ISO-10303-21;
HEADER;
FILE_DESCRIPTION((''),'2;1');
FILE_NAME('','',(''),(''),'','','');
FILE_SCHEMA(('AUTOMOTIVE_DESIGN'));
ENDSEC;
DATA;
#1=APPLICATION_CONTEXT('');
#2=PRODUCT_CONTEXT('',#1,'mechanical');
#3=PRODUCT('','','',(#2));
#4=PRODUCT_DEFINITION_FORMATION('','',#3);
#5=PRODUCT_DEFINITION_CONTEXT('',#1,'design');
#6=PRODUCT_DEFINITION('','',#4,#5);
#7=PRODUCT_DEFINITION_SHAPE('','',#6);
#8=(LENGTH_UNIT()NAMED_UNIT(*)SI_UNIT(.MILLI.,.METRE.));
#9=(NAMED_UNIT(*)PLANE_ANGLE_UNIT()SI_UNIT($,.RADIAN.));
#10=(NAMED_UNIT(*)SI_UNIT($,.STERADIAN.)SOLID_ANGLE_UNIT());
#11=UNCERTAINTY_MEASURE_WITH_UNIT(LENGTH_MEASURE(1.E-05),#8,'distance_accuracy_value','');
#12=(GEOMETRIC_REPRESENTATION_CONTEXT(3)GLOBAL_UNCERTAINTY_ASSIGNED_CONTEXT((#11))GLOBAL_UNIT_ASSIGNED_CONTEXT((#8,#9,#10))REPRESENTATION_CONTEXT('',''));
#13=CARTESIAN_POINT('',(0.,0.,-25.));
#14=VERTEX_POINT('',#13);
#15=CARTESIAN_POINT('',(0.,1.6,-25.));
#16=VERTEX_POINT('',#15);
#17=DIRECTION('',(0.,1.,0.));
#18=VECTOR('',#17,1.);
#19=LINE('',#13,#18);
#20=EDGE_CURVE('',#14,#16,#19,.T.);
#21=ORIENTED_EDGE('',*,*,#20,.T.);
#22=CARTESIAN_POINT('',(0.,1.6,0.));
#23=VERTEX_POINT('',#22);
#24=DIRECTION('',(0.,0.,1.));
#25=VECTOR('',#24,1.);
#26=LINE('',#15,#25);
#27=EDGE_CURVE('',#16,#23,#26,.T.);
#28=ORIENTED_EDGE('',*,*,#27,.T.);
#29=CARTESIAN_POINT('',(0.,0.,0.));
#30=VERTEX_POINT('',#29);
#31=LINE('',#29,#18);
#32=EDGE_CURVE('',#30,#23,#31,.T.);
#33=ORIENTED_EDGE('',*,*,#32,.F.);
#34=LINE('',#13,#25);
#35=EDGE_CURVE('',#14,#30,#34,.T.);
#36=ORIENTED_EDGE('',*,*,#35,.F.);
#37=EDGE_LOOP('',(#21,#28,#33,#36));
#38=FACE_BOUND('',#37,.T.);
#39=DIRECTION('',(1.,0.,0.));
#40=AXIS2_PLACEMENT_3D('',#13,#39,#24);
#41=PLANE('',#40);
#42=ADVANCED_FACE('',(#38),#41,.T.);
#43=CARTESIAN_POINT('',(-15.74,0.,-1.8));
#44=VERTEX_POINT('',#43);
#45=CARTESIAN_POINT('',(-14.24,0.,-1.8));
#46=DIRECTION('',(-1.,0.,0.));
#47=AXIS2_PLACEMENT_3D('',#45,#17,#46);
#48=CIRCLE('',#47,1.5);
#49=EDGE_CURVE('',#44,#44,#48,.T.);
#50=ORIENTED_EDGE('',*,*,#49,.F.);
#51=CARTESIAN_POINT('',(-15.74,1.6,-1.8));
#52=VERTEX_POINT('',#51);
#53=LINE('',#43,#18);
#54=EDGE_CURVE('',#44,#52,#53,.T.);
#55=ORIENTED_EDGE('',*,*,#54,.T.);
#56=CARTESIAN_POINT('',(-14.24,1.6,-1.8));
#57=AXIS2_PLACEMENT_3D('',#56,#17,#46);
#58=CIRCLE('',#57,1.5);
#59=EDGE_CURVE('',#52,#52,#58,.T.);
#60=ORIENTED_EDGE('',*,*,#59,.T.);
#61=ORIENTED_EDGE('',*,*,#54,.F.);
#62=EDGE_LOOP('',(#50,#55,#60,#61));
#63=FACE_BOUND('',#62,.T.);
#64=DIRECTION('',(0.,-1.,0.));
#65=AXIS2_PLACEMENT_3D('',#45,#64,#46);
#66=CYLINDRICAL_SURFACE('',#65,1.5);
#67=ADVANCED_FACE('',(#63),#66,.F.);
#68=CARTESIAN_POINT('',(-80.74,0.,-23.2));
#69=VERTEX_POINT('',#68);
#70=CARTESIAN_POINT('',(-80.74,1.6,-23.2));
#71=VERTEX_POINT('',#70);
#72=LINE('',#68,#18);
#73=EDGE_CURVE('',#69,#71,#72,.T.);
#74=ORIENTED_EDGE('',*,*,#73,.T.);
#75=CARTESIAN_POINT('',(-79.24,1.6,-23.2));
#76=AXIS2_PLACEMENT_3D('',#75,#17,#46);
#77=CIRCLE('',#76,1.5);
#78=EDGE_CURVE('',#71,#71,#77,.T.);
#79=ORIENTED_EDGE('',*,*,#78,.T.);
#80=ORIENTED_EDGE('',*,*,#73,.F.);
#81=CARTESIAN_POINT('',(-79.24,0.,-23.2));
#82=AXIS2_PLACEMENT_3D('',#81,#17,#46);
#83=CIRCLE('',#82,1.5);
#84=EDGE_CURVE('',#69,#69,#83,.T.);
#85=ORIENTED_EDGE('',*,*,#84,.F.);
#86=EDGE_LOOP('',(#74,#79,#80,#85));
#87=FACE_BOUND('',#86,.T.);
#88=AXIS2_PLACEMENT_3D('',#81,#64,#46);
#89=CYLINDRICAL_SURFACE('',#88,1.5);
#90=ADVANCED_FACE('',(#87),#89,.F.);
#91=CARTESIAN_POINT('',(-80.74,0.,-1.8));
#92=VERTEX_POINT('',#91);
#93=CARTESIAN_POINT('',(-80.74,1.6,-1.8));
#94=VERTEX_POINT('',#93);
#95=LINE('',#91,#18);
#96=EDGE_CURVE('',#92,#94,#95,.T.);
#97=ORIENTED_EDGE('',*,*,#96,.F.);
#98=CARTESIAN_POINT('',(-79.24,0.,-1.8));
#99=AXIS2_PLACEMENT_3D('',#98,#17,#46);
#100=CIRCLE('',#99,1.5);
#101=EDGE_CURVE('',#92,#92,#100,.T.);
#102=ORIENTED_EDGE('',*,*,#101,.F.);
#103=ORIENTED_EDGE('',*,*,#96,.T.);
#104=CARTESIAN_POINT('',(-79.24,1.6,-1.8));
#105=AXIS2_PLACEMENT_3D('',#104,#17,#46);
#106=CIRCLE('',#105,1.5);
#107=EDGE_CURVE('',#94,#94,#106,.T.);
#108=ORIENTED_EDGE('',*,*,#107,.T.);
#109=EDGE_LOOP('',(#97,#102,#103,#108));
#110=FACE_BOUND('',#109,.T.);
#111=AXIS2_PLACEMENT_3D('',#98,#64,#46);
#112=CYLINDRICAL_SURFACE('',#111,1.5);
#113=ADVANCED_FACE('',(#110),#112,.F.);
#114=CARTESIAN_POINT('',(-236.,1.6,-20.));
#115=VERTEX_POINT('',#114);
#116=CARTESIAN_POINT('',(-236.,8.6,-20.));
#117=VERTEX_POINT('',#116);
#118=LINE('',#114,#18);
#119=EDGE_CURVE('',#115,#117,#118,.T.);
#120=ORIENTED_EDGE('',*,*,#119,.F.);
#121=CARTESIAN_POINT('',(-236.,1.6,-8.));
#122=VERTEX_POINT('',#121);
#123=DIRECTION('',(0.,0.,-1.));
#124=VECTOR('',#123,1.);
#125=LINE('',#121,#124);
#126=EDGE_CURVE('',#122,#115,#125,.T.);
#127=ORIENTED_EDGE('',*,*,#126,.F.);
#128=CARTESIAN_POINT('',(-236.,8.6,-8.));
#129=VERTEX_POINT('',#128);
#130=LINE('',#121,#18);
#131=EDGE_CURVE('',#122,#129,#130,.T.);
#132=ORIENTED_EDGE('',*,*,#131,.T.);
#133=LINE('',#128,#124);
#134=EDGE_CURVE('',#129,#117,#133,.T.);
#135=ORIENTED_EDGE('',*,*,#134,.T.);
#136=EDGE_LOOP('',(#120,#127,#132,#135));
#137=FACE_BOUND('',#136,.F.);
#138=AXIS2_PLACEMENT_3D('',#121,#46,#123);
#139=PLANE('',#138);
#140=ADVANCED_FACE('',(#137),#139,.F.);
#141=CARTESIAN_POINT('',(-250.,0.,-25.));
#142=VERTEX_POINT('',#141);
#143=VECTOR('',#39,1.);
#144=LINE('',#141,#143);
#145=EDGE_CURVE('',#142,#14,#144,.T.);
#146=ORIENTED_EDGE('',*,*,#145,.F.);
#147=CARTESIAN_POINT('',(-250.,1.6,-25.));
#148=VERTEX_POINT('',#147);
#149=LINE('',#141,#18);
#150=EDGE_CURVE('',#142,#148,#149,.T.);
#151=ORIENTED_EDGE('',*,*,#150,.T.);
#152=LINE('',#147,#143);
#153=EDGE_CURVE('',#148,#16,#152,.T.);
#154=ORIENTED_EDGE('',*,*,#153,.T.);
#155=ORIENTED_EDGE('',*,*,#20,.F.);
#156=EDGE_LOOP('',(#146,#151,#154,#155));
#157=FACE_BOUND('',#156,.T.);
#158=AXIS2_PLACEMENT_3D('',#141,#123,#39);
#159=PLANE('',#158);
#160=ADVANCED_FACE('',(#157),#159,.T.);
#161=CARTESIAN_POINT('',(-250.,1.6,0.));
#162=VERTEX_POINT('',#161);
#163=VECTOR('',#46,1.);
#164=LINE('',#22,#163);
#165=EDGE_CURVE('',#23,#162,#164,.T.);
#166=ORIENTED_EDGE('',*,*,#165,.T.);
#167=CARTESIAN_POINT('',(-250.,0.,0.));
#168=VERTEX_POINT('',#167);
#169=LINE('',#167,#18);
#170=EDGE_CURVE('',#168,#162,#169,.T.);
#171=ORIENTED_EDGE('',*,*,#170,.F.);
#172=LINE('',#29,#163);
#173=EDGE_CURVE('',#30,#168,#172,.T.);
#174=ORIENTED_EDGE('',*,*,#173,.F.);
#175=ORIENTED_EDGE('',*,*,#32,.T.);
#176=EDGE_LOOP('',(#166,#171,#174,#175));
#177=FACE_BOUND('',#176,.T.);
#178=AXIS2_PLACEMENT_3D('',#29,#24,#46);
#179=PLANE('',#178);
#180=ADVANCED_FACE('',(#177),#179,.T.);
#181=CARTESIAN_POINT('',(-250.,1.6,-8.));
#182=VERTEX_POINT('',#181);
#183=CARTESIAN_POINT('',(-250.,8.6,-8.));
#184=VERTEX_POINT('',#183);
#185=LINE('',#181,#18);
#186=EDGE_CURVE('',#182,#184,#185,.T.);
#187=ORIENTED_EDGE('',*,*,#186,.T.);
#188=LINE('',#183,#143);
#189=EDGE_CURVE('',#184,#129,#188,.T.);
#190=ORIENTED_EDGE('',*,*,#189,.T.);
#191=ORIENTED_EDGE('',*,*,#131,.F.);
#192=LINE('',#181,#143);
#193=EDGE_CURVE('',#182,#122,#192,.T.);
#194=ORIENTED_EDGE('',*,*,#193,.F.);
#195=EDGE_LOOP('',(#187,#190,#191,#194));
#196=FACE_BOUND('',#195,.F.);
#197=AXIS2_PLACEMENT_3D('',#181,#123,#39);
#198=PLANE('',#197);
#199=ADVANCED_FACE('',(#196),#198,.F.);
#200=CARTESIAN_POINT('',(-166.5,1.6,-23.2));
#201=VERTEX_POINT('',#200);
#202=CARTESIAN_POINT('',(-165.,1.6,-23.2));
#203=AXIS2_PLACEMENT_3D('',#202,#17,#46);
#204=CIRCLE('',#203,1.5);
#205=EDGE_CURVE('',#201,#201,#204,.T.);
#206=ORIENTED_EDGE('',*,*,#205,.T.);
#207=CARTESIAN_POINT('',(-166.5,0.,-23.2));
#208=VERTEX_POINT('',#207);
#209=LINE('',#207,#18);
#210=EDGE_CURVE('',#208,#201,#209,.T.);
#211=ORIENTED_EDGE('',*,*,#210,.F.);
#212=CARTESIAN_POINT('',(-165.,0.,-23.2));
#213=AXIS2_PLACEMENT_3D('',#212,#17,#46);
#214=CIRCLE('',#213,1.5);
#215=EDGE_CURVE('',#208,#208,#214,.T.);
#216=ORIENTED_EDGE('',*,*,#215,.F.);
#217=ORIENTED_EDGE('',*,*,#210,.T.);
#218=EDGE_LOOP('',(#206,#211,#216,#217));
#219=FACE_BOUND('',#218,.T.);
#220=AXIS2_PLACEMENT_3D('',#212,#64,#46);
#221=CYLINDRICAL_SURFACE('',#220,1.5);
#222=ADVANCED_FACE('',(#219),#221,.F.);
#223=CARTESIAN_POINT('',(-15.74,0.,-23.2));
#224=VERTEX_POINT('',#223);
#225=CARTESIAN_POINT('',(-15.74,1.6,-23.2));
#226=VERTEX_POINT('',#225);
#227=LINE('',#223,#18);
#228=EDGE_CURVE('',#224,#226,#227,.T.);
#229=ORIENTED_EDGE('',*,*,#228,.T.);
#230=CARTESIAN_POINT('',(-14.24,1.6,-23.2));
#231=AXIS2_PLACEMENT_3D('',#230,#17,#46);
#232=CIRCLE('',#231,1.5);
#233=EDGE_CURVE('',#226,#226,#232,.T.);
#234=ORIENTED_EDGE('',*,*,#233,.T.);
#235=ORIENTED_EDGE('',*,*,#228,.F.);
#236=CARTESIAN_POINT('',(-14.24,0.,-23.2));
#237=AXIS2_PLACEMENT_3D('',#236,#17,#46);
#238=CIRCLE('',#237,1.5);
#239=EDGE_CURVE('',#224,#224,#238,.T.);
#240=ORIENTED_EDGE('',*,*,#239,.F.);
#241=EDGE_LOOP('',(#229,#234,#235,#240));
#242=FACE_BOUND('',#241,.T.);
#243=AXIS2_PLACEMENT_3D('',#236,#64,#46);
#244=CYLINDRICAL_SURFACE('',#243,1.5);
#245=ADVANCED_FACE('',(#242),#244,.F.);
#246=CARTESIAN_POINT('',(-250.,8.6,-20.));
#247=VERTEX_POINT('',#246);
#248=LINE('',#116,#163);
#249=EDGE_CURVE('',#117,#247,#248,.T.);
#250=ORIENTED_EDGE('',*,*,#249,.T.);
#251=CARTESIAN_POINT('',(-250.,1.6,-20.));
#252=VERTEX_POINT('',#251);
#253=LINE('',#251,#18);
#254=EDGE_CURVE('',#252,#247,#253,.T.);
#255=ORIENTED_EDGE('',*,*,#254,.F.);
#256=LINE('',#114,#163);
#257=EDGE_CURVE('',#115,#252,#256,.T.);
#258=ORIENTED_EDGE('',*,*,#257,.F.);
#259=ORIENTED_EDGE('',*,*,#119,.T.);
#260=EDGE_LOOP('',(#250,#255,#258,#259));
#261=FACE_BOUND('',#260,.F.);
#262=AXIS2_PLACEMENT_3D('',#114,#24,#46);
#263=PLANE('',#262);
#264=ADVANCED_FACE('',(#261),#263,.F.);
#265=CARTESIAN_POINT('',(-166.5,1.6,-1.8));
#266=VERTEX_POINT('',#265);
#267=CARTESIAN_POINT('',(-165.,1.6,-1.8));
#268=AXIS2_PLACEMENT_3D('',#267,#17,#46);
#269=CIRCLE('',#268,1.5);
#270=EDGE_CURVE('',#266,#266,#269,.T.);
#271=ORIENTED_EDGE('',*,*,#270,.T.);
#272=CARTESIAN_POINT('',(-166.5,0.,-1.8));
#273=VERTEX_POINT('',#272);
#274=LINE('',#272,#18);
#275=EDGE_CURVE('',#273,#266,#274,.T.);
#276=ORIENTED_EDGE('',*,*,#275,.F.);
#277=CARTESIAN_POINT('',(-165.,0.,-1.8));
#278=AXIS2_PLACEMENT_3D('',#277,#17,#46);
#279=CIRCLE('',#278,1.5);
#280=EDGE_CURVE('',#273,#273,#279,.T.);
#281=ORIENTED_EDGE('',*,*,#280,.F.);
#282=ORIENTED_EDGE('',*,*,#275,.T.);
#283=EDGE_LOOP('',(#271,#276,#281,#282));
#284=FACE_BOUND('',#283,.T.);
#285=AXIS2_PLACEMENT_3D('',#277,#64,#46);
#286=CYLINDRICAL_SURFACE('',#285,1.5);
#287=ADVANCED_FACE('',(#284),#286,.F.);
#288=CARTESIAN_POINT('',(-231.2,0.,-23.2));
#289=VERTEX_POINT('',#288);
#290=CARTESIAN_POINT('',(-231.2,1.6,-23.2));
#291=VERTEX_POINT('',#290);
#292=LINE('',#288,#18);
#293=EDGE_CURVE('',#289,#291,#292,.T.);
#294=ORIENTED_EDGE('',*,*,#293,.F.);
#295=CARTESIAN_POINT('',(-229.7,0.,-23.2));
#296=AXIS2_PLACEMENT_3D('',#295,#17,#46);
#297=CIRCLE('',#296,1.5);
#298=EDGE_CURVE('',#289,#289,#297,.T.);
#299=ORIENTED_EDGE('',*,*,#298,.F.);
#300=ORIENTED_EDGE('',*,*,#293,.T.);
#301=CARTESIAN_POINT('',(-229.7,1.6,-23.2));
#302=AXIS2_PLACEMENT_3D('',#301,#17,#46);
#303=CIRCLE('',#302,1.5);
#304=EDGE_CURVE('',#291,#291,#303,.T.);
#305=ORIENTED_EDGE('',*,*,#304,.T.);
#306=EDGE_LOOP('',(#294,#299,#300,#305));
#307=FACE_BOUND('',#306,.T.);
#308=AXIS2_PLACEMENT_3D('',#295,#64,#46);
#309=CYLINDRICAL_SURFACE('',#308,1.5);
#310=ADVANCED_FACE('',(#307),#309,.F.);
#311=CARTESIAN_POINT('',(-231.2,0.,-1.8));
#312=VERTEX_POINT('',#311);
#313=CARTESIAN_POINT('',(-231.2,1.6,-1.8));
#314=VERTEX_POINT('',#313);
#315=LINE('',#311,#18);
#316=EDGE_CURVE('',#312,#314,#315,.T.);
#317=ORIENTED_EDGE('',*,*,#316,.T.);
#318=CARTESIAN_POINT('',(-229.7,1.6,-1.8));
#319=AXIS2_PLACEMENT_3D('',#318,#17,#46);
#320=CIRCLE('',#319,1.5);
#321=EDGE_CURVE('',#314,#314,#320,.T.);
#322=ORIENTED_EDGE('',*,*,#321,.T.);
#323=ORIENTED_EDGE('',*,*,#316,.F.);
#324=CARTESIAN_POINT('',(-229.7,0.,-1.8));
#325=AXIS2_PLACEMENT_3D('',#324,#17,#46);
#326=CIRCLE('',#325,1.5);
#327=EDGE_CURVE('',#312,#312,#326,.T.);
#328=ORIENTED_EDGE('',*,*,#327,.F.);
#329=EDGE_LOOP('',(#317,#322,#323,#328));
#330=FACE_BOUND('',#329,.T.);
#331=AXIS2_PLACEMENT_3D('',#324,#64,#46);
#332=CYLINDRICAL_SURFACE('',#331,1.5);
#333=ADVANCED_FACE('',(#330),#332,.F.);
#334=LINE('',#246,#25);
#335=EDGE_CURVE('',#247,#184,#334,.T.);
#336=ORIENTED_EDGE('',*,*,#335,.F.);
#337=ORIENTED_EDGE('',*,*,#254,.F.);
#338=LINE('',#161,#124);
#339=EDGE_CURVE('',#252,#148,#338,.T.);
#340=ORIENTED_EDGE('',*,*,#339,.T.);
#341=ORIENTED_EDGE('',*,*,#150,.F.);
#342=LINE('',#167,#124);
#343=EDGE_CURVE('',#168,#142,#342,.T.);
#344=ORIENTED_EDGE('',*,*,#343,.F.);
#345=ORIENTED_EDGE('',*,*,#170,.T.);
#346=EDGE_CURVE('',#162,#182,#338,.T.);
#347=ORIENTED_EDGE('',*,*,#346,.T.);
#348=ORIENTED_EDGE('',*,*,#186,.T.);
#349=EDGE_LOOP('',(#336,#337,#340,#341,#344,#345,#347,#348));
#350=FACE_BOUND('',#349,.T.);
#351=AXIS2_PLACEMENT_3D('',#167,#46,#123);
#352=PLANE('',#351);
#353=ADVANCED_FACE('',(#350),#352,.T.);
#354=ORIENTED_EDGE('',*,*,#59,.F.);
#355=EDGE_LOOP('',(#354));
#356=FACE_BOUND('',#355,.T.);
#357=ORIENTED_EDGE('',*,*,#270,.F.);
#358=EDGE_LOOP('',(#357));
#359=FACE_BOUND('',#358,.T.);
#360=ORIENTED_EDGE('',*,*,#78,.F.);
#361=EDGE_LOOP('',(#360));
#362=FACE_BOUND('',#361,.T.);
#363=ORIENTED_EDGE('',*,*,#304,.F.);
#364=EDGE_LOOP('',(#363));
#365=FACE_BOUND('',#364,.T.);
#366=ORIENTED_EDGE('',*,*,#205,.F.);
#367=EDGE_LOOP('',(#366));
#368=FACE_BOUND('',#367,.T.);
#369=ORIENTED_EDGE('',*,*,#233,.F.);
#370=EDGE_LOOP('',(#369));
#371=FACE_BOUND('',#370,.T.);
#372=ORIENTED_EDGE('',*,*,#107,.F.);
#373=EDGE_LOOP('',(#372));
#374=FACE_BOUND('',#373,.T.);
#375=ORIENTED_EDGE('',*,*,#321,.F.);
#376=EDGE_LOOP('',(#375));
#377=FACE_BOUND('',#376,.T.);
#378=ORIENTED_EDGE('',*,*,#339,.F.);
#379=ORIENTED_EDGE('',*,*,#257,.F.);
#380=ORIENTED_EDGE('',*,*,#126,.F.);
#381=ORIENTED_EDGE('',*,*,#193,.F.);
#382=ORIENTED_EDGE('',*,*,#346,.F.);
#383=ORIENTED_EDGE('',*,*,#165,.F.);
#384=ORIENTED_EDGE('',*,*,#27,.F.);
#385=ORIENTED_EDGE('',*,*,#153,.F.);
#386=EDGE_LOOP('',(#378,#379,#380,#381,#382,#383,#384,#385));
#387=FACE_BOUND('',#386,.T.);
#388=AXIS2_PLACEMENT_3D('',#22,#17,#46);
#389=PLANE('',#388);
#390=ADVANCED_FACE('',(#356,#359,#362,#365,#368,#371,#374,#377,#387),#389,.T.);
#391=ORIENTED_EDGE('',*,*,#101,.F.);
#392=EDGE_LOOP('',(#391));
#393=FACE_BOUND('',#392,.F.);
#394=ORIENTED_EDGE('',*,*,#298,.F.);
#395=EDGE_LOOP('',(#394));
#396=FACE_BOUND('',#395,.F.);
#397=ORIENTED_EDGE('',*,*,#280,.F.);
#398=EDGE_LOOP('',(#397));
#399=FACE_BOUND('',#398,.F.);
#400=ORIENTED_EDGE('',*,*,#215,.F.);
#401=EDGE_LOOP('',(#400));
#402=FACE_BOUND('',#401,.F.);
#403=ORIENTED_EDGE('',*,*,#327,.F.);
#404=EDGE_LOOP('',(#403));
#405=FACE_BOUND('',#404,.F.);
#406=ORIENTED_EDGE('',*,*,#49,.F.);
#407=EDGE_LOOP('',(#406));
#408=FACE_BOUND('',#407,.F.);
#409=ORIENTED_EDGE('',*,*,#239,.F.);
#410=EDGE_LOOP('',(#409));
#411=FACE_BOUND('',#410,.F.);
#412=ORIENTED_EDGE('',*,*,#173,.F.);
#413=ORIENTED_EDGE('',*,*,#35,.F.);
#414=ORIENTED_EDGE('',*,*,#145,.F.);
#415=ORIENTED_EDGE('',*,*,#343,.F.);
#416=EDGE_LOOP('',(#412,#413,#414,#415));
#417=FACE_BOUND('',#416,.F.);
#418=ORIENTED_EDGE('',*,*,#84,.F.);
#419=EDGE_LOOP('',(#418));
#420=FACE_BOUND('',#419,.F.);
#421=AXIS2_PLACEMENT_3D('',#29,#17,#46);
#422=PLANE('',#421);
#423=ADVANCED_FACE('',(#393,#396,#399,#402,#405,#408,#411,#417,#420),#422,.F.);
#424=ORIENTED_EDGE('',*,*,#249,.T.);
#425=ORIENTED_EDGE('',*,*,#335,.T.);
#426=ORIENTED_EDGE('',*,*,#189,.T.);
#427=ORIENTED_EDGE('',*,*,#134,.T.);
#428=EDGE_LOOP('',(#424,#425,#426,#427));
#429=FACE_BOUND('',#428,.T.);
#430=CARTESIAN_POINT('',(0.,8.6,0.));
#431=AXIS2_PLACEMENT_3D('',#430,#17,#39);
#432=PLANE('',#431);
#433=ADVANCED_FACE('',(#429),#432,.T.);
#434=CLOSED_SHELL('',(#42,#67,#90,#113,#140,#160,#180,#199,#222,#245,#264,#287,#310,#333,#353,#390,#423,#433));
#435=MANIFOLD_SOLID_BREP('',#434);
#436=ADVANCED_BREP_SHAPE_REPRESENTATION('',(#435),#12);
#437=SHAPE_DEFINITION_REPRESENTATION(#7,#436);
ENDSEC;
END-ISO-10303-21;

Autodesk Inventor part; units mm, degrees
ref_plane "YZ Plane" through (0, 0, 0) normal (1, 0, 0) x (0, 1, 0)
ref_plane "XZ Plane" through (0, 0, 0) normal (0, 1, 0) x (-1, 0, 0)
ref_plane "XY Plane" through (0, 0, 0) normal (0, 0, 1) x (1, 0, 0)
sketch "Esquisse1" plane through (0, 0, 0) normal (0, 1, 0) x (-1, 0, 0)
  line L0 (0, 0) -> (250, 0)
  line L1 (250, 0) -> (250, -25)
  line L2 (250, -25) -> (0, -25)
  line L3 (0, -25) -> (0, 0)
  line L4 (14.24, 0) -> (14.24, -25) construction
  line L5 (0, -12.5) -> (250, -12.5) construction
  circle A0 centre (14.24, -1.8) radius 1.5
  circle A1 centre (14.24, -23.2) radius 1.5
  circle A2 centre (79.24, -1.8) radius 1.5
  circle A3 centre (79.24, -23.2) radius 1.5
  line L6 (229.7, 0) -> (229.7, -25) construction
  circle A4 centre (229.7, -1.8) radius 1.5
  circle A5 centre (229.7, -23.2) radius 1.5
  circle A6 centre (165, -1.8) radius 1.5
  circle A7 centre (165, -23.2) radius 1.5
  dimension "d0" = 25
  dimension "d1" = 250
  dimension "d2" = 1.8
  dimension "d3" = 3
  dimension "d4" = 14.24
  dimension "d7" = 65
  dimension "d12" = 3
  dimension "d13" = 1.8
  dimension "d17" = 64.7
  dimension "d32" = 165
extrude "Extrusion1" add sketch "Esquisse1" along normal blind 1.6
sketch "Esquisse2" plane through (0, 1.6, 0) normal (0, 1, 0) x (1, 0, 0)
  circle A0 centre (-165, 23.2) radius 1.5 construction
  circle A1 centre (-165, 1.8) radius 1.5 construction
  circle A2 centre (-229.7, 23.2) radius 1.5 construction
  circle A3 centre (-229.7, 1.8) radius 1.5 construction
  circle A4 centre (-79.24, 1.8) radius 1.5 construction
  circle A5 centre (-79.24, 23.2) radius 1.5 construction
  circle A6 centre (-14.24, 23.2) radius 1.5 construction
  circle A7 centre (-14.24, 1.8) radius 1.5 construction
  line L0 (-250, 0) -> (0, 0) construction
  line L1 (0, 0) -> (0, 25) construction
  line L2 (0, 25) -> (-250, 25) construction
  line L3 (-250, 25) -> (-250, 0) construction
  line L4 (-250, 8) -> (-236, 8)
  line L5 (-236, 8) -> (-236, 20)
  line L6 (-236, 20) -> (-250, 20)
  line L7 (-250, 20) -> (-250, 8)
  line L8 (-250, 14) -> (-236, 14) construction
  dimension "d24" = 14
  dimension "d25" = 14
  dimension "d26" = 12
extrude "Extrusion2" add sketch "Esquisse2" along normal blind 7
sketch "Esquisse3" plane through (-250, 0, -25) normal (-1, 0, 0) x (0, 0, 1)
  line L0 (25, 0) -> (0, 0) projected
  line L1 (25, 0) -> (25, 1.6) projected
  line L2 (17, 1.6) -> (25, 1.6) projected
  line L3 (17, 1.6) -> (17, 8.6) projected
  line L4 (5, 6.6) -> (17, 6.6) projected
  line L5 (5, 1.6) -> (5, 8.6) projected
  line L6 (0, 1.6) -> (5, 1.6) projected
  line L7 (0, 0) -> (0, 1.6) projected
  line L8 (5, 8.6) -> (17, 8.6) construction
  line L9 (11, 6.6) -> (11, 0) construction
  circle A0 centre (11, 4.1) radius 1.25
  dimension "d29" = 2.5
equation "\"d12\" = d3"
equation "\"d13\" = d2"
properties part number "electronics"
